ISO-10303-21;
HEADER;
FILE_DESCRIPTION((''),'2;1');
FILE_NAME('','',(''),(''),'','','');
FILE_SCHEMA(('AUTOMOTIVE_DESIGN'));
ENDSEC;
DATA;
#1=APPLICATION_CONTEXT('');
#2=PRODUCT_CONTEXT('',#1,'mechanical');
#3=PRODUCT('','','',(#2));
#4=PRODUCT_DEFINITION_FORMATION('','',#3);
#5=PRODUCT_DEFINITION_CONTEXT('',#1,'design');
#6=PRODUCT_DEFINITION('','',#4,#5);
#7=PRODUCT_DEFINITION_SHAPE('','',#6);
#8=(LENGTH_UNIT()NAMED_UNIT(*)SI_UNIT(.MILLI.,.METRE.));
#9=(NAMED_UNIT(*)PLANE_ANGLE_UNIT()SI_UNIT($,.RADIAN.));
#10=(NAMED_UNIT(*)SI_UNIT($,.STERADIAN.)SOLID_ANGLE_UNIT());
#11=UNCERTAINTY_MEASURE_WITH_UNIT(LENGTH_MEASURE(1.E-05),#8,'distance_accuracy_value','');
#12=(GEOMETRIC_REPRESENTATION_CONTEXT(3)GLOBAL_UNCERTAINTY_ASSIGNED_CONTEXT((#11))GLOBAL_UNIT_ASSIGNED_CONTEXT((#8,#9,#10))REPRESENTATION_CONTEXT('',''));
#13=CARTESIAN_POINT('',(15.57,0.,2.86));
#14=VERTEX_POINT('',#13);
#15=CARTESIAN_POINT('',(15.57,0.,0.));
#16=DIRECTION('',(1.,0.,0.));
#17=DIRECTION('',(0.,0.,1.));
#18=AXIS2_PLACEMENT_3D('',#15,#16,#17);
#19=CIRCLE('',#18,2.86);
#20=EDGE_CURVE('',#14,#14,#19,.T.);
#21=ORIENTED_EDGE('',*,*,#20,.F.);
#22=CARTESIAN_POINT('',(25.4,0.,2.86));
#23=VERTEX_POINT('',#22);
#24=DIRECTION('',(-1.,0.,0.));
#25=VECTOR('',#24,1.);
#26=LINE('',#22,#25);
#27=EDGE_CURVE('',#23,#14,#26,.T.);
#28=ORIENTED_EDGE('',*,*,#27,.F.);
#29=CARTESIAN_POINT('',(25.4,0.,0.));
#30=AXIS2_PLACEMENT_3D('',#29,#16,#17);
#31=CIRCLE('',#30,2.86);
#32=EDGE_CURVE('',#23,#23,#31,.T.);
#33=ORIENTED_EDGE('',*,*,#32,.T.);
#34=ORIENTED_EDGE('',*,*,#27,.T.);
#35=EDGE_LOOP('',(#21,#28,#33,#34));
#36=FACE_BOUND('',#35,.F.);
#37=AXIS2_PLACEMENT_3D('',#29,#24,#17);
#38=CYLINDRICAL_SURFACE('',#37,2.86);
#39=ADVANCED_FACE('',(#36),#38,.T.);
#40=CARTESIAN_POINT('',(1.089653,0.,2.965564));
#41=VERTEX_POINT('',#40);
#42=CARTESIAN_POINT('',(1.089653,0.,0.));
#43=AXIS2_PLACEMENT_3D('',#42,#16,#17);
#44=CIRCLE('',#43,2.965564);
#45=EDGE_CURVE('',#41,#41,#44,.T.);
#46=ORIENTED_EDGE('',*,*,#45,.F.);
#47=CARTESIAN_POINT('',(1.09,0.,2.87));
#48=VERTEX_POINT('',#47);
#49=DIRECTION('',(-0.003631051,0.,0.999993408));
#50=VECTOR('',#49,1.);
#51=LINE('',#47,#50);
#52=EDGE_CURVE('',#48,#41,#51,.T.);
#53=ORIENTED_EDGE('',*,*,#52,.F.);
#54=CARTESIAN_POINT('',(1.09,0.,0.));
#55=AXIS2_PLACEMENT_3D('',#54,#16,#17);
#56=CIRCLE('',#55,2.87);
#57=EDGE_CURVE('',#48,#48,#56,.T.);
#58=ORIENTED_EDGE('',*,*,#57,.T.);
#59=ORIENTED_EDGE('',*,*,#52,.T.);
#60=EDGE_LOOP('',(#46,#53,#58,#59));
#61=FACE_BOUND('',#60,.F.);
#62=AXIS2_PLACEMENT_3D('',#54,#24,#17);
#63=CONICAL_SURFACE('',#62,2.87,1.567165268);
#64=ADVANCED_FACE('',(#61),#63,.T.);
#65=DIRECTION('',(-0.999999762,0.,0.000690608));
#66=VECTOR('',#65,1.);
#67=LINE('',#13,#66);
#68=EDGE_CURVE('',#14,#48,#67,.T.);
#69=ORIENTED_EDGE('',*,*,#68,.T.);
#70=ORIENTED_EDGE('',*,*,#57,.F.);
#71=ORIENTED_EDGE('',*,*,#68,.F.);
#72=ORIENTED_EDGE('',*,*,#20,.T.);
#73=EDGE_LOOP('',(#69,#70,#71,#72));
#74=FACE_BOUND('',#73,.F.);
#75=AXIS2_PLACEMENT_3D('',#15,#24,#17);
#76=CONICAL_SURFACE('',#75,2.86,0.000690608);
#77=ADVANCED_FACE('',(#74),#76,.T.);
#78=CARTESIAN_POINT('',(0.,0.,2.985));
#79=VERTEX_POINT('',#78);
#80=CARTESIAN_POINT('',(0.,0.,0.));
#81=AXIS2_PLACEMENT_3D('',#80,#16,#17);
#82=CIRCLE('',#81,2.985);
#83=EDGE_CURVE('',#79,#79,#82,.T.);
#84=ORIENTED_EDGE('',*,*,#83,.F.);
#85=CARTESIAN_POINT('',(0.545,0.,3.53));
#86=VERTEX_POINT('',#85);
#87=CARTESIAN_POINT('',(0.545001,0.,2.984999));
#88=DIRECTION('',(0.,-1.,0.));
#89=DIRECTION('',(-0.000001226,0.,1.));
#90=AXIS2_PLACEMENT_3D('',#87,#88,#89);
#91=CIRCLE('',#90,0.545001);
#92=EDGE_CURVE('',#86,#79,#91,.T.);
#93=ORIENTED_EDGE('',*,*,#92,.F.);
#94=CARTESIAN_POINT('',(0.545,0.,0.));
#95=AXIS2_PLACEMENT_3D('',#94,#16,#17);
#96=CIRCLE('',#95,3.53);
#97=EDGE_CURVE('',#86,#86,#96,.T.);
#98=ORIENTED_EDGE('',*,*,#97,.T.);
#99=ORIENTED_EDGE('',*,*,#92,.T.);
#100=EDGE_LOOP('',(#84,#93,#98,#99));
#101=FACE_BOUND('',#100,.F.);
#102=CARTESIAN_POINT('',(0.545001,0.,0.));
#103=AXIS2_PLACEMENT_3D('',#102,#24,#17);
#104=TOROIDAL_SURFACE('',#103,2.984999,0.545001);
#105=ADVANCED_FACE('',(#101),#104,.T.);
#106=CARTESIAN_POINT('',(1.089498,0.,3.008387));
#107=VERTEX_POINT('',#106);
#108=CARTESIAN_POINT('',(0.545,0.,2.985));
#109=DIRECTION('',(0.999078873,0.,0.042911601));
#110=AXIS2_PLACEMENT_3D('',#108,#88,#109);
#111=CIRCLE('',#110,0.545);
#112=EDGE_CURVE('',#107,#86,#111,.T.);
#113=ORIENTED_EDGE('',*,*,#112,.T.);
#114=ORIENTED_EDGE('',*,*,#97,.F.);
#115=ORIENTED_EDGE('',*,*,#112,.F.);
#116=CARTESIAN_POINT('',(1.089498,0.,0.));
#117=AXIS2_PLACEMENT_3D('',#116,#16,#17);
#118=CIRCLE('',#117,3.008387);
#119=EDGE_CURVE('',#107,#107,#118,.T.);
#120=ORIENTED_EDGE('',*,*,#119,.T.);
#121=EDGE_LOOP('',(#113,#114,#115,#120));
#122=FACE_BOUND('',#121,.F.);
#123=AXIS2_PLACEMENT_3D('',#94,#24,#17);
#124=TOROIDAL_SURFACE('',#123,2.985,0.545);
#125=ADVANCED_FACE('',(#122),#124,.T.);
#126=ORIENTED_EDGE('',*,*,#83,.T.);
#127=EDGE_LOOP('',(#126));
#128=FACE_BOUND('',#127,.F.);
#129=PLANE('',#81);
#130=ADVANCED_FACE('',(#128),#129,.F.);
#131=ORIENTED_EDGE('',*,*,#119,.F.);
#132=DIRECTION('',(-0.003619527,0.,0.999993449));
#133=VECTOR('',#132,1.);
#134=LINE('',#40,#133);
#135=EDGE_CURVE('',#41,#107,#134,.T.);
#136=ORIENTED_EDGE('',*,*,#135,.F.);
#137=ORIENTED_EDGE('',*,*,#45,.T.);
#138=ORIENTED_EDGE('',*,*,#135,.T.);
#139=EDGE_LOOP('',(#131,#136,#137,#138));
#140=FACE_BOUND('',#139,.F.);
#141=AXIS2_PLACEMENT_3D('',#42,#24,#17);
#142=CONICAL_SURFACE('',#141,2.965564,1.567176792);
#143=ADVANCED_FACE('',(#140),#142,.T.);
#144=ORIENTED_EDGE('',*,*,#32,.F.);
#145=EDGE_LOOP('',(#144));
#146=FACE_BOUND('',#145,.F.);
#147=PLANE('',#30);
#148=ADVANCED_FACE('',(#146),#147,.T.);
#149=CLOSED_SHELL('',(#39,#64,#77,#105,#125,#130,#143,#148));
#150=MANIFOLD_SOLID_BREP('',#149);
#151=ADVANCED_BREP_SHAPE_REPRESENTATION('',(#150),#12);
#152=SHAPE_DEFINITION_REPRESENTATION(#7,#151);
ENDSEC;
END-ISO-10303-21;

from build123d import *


with BuildPart() as f1:
    # F0 (on Front) → F1 (revolve)
    with BuildSketch(Plane.XZ):
        with BuildLine():
            Line((0, 2.985), (0, 0))
            Line((0, 0), (0.545, 0))
            Line((0.545, 0), (0.545, 2.44))
            ThreePointArc((0.545, 2.44), (0.159627, 2.599627), (0, 2.985))
        make_face()
        with BuildLine():
            ThreePointArc((0.545, 3.53), (0.159627, 3.370373), (0, 2.985))
            ThreePointArc((0, 2.985), (0.159627, 2.599627), (0.545, 2.44))
            Line((0.545, 2.44), (0.545, 3.53))
        make_face()
        with BuildLine():
            Line((0.545, 3.53), (0.545, 2.44))
            ThreePointArc((0.545, 2.44), (0.923439, 2.592815), (1.089653, 2.965564))
            Line((1.089653, 2.965564), (1.089498, 3.008387))
            ThreePointArc((1.089498, 3.008387), (0.922014, 3.378555), (0.545, 3.53))
        make_face()
        with BuildLine():
            Line((0.545, 2.44), (0.545, 0))
            Line((0.545, 0), (1.09, 0))
            Line((1.09, 0), (1.09, 2.87))
            Line((1.09, 2.87), (1.089653, 2.965564))
            ThreePointArc((1.089653, 2.965564), (0.923439, 2.592815), (0.545, 2.44))
        make_face()
        Polygon((1.09, 2.87), (1.09, 0), (15.57, 0), (25.4, 0), (25.4, 2.86), (15.57, 2.86), align=None)
    revolve(axis=Axis((8.33, 0, 0), (1, 0, 0)))


solid = f1.part
